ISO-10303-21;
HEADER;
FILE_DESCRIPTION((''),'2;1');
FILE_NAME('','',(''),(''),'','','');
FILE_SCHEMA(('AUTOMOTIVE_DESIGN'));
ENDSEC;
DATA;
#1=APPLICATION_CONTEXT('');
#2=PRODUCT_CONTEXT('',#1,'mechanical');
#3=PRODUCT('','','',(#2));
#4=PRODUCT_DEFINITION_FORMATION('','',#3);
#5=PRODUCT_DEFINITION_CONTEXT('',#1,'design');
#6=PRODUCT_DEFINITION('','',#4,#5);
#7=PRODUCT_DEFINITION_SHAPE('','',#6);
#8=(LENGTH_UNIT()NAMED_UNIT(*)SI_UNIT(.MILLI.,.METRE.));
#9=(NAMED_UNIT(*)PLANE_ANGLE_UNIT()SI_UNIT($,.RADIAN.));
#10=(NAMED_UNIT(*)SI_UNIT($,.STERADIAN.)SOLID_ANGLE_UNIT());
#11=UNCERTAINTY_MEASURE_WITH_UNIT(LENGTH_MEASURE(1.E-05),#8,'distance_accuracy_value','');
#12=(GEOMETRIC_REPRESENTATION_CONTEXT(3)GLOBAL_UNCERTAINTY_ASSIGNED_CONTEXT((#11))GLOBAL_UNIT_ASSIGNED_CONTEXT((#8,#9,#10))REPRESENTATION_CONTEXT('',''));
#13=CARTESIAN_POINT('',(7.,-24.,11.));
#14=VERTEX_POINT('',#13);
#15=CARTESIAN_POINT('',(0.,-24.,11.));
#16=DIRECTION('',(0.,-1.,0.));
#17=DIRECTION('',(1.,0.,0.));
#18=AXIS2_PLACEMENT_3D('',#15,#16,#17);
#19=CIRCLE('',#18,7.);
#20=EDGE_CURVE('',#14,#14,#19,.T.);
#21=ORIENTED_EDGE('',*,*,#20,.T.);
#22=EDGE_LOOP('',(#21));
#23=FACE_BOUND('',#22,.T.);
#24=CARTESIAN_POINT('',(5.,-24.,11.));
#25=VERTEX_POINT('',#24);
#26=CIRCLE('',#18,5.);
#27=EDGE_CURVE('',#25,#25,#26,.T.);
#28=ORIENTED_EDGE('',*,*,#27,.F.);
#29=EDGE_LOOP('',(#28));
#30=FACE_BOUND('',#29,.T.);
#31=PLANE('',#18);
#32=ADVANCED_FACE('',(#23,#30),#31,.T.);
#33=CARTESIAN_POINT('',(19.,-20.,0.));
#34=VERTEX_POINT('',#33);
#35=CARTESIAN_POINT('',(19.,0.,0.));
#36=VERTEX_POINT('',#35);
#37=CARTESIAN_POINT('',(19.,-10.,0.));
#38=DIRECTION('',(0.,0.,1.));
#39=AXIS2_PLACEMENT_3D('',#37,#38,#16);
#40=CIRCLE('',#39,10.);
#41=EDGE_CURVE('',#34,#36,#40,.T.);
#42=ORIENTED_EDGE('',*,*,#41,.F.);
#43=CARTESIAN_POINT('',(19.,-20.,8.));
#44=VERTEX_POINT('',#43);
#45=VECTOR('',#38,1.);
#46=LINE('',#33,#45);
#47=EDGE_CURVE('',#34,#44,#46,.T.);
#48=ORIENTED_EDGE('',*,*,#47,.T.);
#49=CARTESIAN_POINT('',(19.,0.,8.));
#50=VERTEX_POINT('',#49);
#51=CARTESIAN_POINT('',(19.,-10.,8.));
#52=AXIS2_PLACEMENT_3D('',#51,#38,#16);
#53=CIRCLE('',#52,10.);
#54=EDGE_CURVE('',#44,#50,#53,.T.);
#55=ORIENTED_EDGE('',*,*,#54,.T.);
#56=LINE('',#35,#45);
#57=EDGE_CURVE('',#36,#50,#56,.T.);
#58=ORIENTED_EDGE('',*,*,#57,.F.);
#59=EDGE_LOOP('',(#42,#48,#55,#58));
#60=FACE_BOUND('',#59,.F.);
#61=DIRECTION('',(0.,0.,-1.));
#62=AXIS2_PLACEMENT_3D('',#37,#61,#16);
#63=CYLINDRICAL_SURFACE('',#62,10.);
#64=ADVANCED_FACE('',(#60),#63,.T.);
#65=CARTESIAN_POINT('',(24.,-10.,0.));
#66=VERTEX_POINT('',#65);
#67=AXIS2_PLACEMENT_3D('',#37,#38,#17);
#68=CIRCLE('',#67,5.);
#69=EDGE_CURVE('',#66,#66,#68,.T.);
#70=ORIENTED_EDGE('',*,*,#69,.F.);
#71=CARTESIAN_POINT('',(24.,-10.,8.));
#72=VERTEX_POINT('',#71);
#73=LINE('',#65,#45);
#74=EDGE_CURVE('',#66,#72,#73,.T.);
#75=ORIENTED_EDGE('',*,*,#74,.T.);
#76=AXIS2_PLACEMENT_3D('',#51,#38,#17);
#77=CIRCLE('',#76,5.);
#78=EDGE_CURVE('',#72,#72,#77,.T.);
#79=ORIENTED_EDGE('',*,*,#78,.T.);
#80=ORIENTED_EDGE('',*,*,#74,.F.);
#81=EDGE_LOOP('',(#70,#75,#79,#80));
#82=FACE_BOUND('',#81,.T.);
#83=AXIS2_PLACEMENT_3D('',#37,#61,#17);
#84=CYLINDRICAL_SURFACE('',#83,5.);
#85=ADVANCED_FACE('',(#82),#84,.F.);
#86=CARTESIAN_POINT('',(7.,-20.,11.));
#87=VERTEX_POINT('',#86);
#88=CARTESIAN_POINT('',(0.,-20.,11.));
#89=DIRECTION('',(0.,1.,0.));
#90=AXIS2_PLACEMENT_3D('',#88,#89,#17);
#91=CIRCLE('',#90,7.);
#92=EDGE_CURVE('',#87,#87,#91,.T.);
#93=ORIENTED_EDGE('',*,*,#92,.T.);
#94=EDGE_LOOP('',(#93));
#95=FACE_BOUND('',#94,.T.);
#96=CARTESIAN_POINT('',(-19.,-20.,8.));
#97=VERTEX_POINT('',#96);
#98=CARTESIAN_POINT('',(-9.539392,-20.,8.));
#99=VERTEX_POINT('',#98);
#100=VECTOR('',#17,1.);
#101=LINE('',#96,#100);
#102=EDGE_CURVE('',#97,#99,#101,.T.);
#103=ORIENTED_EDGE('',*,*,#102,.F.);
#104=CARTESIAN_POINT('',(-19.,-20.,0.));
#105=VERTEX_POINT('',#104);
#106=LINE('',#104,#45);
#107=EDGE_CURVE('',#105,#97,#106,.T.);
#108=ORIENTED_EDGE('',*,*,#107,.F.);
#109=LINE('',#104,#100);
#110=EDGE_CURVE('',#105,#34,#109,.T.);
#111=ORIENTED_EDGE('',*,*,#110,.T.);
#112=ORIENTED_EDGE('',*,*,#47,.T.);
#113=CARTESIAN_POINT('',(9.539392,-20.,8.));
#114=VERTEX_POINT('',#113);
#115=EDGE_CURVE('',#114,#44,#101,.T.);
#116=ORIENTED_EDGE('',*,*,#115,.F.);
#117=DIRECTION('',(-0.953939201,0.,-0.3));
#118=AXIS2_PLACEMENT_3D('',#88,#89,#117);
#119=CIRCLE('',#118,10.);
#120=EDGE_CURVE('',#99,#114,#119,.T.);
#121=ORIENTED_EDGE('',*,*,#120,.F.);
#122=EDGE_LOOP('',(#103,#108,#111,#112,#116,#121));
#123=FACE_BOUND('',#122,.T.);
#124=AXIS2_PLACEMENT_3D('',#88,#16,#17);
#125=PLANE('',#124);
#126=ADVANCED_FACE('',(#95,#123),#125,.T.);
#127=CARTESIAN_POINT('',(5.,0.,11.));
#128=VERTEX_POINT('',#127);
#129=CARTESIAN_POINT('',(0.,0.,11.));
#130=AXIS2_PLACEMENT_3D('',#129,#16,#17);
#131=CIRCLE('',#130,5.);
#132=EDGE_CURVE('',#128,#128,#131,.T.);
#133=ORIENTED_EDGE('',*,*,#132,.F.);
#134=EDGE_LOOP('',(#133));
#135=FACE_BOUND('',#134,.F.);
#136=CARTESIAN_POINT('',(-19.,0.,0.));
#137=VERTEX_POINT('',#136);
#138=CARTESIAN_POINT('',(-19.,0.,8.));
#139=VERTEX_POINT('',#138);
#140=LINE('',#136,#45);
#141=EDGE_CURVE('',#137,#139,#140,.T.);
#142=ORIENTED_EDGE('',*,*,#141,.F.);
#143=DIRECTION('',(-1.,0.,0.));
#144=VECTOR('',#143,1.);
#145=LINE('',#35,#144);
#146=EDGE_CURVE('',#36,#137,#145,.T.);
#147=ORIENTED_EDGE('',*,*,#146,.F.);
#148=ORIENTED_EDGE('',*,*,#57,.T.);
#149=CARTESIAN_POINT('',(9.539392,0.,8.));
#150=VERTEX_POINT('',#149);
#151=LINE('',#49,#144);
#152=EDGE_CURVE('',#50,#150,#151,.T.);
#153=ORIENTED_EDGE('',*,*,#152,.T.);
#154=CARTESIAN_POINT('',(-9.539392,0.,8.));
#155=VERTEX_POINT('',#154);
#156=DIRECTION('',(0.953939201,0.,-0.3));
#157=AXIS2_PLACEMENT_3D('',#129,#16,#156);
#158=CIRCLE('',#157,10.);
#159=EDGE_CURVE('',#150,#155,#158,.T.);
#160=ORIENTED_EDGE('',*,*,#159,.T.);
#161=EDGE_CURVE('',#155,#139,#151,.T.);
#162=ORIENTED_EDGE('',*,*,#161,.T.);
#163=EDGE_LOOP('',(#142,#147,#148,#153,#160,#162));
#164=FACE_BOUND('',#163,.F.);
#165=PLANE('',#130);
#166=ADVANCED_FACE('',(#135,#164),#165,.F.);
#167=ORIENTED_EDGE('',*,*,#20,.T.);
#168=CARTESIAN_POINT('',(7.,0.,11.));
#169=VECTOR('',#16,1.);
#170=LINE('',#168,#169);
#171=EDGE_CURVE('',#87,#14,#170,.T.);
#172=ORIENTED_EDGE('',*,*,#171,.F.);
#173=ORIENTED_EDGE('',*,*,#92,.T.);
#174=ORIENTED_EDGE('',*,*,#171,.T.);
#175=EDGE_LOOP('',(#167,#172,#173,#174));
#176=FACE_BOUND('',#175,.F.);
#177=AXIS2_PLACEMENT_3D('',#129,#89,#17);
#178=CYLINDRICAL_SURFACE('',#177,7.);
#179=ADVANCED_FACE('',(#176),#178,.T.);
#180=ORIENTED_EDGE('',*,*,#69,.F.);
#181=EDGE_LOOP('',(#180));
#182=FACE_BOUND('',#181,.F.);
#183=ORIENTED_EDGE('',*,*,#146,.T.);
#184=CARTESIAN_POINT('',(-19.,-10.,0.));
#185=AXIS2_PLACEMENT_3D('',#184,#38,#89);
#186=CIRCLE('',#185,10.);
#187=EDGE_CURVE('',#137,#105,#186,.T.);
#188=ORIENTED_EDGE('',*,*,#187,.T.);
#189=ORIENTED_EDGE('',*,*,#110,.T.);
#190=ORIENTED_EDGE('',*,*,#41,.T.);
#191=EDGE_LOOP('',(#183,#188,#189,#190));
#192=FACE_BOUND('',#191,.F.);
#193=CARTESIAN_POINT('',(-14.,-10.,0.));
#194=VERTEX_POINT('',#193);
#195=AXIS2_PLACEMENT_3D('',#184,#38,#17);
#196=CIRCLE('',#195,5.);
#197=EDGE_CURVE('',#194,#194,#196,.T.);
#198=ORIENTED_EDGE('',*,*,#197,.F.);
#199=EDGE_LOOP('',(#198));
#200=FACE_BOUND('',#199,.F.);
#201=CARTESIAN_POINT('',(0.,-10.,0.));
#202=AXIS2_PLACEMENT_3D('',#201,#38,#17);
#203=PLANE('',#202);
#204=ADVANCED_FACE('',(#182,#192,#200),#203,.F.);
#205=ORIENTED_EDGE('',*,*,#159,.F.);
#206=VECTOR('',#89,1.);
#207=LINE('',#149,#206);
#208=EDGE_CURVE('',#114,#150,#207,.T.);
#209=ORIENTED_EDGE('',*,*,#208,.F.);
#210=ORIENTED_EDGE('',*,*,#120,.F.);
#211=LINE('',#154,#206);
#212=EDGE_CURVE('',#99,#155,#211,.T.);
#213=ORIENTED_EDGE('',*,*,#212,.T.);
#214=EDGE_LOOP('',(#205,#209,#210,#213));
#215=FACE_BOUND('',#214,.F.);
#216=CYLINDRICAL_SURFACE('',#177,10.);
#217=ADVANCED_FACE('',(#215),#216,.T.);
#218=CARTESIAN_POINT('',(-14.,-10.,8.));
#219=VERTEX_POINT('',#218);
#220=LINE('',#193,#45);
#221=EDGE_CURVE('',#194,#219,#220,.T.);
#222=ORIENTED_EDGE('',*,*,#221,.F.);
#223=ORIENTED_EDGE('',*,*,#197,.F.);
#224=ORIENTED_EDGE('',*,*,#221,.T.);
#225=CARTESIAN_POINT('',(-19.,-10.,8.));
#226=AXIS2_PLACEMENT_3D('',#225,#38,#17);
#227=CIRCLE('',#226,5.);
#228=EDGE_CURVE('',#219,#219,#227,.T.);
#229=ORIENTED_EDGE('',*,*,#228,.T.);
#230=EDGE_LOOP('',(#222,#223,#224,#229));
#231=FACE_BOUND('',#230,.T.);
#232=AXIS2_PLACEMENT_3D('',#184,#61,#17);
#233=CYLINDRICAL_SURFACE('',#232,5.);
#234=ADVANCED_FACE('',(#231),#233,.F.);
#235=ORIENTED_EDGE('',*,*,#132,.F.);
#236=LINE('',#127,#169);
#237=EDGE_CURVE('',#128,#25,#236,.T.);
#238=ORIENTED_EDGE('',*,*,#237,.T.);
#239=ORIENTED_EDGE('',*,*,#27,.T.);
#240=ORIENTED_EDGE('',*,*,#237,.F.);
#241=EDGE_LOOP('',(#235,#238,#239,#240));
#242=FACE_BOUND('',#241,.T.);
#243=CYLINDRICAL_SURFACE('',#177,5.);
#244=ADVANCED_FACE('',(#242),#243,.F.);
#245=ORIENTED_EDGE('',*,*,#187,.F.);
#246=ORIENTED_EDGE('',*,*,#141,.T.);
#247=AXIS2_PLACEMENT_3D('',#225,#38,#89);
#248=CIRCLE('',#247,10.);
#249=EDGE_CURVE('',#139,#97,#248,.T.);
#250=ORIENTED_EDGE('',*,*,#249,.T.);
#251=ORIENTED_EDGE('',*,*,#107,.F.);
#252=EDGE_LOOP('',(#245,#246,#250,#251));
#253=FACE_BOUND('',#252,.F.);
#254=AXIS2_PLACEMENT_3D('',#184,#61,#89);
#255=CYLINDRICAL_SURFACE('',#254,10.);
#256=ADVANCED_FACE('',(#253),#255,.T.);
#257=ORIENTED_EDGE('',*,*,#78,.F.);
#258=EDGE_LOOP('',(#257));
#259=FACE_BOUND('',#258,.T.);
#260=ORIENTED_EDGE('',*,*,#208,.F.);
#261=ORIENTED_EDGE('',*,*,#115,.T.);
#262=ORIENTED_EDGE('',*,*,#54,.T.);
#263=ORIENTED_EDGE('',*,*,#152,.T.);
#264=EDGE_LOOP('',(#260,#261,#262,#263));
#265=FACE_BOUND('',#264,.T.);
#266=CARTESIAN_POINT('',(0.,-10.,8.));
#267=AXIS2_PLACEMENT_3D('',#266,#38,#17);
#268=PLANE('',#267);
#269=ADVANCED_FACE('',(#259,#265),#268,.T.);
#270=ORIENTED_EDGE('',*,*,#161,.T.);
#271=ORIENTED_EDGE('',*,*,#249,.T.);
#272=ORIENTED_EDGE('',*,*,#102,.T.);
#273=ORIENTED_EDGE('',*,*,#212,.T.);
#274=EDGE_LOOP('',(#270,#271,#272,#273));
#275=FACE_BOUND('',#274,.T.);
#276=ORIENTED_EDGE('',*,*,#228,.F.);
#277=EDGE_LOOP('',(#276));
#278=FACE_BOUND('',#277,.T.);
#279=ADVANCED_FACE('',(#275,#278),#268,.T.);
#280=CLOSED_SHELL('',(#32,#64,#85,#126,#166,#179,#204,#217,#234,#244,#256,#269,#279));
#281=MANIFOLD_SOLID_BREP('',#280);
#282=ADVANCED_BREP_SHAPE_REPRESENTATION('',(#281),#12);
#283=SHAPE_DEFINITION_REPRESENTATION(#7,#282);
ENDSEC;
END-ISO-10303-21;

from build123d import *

# Parameters (mm, degrees)
F0_R     = 5
F1_DEPTH = 8
F2_R     = 7
F3_DEPTH = 20
F2_R_2   = 5
F4_DEPTH = 24
F5_D     = 10
F5_DEPTH = 20
F5_TIP   = 3.0043030951


with BuildPart() as f1:
    # F0 (on Top) → F1 (new body)
    with BuildSketch(Plane.XY):
        with BuildLine():
            Line((19, 0), (0, 0))
            Line((0, 0), (-19, 0))
            ThreePointArc((-19, 0), (-29, -10), (-19, -20))
            Line((-19, -20), (0, -20))
            Line((0, -20), (19, -20))
            ThreePointArc((19, -20), (29, -10), (19, 0))
        make_face()
        with Locations((-19, -10)):
            Circle(F0_R, mode=Mode.SUBTRACT)
        with Locations((19, -10)):
            Circle(F0_R, mode=Mode.SUBTRACT)
    extrude(amount=F1_DEPTH)

    # F2 (on Front) → F3 (join)
    with BuildSketch(Plane.XZ):
        with BuildLine():
            ThreePointArc((-10, 11), (0, 1), (10, 11))
            ThreePointArc((10, 11), (0, 21), (-10, 11))
        make_face()
        with Locations((0, 11)):
            Circle(F2_R, mode=Mode.SUBTRACT)
    extrude(amount=F3_DEPTH)

    # F2 (on Front) → F4 (join)
    with BuildSketch(Plane.XZ):
        with Locations((0, 11)):
            Circle(F2_R)
        with Locations((0, 11)):
            Circle(F2_R_2, mode=Mode.SUBTRACT)
    extrude(amount=F4_DEPTH)

    # F5
    with Locations(Plane(origin=(0, 0, 0), x_dir=(1, 0, 0), z_dir=(0, 1, 0))):
        with Locations((0, -11)):
            Hole(F5_D / 2, depth=F5_DEPTH)
            with Locations((0, 0, -(F5_DEPTH + F5_TIP / 2))):  # 118° drill point
                Cone(0, F5_D / 2, F5_TIP, mode=Mode.SUBTRACT)


solid = f1.part
